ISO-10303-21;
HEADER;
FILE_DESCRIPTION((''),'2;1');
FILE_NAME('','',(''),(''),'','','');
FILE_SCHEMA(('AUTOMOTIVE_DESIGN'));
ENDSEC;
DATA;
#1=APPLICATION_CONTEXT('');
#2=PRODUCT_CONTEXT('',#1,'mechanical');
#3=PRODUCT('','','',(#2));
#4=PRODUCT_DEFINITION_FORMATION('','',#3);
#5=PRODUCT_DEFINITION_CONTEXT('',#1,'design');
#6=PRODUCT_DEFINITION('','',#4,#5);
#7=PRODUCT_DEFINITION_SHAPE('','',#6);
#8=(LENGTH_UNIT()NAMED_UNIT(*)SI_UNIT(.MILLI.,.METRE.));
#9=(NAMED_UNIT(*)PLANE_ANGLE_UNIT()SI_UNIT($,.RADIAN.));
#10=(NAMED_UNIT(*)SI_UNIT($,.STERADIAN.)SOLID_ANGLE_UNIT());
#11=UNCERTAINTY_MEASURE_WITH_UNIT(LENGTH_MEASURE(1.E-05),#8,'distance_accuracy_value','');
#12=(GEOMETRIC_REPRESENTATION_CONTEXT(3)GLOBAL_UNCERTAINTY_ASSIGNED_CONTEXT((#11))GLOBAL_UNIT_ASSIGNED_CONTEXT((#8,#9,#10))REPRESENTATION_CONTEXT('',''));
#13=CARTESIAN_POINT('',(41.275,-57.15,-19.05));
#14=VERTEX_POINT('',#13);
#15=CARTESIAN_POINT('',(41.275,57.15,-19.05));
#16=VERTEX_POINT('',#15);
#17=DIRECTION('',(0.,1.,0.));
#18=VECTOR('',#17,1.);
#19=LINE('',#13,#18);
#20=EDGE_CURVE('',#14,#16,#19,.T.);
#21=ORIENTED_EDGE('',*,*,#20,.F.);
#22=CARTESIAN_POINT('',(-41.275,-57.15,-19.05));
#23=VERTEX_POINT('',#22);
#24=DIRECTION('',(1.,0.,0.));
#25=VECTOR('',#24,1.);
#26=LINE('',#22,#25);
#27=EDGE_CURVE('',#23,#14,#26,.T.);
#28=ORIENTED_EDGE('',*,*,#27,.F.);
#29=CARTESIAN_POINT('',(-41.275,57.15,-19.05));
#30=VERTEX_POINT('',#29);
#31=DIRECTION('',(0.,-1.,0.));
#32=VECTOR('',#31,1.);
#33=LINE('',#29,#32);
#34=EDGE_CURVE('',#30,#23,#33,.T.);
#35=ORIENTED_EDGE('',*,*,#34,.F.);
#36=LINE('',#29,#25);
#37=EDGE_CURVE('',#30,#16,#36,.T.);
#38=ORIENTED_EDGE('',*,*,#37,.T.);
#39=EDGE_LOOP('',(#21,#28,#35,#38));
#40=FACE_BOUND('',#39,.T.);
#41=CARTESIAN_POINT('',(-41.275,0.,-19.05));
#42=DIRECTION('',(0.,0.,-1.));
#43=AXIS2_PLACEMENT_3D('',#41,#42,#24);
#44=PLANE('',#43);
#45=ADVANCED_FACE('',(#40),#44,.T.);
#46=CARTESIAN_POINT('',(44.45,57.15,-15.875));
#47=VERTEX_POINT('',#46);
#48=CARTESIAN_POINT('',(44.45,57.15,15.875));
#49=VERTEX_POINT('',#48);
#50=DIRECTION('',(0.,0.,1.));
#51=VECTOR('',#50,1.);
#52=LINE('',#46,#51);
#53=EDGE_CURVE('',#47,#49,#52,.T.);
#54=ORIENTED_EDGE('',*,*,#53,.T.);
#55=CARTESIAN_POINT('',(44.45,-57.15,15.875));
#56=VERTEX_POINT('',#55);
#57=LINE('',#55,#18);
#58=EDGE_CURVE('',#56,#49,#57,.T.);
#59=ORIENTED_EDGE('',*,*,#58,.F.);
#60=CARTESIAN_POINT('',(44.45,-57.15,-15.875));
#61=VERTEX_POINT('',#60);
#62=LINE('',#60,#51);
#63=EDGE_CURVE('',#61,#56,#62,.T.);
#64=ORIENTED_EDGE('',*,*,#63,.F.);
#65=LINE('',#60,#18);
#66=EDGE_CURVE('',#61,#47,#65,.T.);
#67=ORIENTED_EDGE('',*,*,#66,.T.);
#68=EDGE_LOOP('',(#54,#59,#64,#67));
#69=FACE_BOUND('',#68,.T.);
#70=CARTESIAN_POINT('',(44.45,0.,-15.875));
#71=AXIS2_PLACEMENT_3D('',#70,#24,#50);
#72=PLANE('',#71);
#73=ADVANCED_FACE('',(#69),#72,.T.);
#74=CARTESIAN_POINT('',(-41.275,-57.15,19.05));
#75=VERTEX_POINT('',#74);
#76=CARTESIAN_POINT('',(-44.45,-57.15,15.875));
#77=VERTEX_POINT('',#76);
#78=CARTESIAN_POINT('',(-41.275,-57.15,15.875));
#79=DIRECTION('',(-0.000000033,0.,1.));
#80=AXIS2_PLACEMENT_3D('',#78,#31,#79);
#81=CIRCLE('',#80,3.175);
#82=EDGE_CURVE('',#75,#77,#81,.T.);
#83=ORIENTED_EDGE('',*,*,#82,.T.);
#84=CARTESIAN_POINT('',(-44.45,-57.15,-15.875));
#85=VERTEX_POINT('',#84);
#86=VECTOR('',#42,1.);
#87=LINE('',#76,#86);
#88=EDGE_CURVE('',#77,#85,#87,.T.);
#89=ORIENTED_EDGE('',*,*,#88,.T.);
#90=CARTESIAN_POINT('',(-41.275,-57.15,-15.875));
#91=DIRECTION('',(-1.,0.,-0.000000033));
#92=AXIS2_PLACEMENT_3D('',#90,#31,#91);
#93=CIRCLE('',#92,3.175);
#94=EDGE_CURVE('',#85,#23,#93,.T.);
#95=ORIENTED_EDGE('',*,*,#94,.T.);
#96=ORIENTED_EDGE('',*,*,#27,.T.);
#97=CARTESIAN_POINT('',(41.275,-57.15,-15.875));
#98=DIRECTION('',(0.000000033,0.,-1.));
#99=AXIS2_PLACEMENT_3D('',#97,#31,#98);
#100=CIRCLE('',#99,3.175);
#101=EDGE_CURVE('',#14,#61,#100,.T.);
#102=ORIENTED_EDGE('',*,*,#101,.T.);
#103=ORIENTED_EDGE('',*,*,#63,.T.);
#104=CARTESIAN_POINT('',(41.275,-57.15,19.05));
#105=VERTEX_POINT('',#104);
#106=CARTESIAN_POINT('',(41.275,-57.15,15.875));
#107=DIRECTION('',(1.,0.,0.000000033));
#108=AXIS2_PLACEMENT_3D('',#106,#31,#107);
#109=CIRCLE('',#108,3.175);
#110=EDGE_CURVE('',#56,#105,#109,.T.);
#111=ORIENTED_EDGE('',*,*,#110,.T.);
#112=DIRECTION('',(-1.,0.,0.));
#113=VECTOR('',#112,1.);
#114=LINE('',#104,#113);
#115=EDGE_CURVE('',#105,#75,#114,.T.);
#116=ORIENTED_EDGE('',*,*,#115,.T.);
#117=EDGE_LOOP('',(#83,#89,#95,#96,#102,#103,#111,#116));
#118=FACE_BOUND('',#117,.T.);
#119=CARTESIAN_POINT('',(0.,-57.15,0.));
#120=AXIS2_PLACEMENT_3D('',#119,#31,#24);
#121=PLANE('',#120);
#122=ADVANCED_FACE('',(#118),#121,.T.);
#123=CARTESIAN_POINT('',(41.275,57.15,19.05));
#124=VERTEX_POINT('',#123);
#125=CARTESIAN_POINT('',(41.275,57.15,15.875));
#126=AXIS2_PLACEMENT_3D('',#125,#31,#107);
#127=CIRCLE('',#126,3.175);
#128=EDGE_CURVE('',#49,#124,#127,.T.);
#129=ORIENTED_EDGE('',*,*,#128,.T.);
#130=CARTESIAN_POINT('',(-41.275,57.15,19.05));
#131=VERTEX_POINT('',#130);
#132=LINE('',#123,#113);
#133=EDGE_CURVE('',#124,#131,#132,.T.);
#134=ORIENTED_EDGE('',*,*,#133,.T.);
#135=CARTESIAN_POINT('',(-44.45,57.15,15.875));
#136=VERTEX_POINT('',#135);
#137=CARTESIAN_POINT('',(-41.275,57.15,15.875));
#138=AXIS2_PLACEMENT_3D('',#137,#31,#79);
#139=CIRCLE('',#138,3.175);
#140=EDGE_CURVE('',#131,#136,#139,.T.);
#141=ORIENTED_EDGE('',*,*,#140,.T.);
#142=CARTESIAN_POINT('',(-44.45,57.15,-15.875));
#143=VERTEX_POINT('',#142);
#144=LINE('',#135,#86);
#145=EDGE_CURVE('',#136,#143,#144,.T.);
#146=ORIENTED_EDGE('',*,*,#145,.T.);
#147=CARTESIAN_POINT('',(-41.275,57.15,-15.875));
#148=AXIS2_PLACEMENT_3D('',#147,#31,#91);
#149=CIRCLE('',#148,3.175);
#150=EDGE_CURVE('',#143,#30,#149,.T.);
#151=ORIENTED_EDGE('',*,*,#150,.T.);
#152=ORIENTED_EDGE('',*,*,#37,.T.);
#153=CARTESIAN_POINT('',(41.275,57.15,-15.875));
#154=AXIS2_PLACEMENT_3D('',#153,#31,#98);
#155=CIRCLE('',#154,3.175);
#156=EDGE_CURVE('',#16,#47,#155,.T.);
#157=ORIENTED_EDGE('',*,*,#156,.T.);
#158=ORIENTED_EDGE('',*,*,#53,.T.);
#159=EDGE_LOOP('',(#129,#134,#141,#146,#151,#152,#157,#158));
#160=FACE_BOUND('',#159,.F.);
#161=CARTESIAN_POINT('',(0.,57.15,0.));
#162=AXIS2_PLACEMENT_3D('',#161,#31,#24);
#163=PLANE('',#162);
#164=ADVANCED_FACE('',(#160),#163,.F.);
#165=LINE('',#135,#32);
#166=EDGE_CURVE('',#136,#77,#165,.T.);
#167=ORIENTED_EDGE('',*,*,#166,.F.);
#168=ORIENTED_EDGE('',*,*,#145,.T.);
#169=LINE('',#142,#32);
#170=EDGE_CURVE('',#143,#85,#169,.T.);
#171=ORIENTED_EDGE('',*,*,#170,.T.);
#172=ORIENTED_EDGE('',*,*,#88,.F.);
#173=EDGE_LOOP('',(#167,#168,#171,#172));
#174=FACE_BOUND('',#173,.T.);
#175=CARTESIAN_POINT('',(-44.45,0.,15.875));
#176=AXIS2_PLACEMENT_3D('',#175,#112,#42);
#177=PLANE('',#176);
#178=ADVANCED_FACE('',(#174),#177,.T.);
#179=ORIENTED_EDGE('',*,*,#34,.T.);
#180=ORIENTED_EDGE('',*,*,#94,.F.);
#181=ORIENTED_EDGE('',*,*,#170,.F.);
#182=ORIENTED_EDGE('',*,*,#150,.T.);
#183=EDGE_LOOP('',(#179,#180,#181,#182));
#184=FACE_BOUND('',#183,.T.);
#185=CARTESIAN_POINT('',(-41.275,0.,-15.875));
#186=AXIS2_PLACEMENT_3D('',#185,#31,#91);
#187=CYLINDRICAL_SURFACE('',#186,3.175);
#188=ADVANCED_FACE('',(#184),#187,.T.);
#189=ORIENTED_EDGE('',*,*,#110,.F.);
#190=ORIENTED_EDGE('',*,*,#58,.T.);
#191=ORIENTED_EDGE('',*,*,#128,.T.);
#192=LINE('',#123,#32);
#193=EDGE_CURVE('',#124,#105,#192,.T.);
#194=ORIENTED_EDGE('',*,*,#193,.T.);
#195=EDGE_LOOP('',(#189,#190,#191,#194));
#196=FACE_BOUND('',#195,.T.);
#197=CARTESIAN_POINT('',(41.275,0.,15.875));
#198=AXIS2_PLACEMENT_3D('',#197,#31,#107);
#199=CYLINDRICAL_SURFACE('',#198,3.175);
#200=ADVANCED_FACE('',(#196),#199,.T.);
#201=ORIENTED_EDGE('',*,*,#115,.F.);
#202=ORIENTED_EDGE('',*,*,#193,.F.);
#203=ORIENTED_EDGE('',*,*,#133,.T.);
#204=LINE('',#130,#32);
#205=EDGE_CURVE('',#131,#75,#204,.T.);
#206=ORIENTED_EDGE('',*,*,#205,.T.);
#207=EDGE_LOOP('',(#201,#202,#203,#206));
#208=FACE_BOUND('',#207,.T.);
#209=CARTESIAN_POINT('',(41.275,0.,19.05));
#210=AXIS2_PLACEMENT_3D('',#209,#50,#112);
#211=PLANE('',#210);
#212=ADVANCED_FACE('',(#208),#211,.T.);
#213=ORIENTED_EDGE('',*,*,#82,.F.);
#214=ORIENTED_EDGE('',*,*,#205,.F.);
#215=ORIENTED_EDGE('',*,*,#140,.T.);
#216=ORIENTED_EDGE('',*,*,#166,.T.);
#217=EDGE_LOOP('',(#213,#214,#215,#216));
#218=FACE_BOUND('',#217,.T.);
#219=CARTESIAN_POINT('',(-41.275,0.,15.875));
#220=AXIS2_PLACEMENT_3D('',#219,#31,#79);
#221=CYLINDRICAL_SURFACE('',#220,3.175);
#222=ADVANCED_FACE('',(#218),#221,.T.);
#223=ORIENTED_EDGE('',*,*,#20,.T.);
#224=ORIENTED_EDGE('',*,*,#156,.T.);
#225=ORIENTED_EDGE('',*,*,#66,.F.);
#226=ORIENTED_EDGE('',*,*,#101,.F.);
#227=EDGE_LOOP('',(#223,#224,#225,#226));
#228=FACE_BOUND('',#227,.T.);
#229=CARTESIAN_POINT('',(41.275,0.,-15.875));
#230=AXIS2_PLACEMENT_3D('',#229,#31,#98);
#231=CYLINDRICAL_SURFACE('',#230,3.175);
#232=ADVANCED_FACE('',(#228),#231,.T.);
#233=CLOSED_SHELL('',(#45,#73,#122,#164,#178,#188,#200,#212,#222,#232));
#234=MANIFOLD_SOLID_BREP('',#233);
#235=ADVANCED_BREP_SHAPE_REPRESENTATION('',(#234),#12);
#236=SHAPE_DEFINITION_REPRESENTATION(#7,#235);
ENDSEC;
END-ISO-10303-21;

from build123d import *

# Parameters (mm, degrees)
F1_DEPTH = 57.15


with BuildPart() as f1:
    # F0 (on Front) → F1 (new body, symmetric)
    with BuildSketch(Plane.XZ):
        with BuildLine():
            ThreePointArc((44.45, 15.875), (43.520064, 18.120064), (41.275, 19.05))
            Line((41.275, 19.05), (-41.275, 19.05))
            ThreePointArc((-41.275, 19.05), (-43.520064, 18.120064), (-44.45, 15.875))
            Line((-44.45, 15.875), (-44.45, -15.875))
            ThreePointArc((-44.45, -15.875), (-43.520064, -18.120064), (-41.275, -19.05))
            Line((-41.275, -19.05), (41.275, -19.05))
            ThreePointArc((41.275, -19.05), (43.520064, -18.120064), (44.45, -15.875))
            Line((44.45, -15.875), (44.45, 15.875))
        make_face()
    extrude(amount=F1_DEPTH, both=True)


solid = f1.part
